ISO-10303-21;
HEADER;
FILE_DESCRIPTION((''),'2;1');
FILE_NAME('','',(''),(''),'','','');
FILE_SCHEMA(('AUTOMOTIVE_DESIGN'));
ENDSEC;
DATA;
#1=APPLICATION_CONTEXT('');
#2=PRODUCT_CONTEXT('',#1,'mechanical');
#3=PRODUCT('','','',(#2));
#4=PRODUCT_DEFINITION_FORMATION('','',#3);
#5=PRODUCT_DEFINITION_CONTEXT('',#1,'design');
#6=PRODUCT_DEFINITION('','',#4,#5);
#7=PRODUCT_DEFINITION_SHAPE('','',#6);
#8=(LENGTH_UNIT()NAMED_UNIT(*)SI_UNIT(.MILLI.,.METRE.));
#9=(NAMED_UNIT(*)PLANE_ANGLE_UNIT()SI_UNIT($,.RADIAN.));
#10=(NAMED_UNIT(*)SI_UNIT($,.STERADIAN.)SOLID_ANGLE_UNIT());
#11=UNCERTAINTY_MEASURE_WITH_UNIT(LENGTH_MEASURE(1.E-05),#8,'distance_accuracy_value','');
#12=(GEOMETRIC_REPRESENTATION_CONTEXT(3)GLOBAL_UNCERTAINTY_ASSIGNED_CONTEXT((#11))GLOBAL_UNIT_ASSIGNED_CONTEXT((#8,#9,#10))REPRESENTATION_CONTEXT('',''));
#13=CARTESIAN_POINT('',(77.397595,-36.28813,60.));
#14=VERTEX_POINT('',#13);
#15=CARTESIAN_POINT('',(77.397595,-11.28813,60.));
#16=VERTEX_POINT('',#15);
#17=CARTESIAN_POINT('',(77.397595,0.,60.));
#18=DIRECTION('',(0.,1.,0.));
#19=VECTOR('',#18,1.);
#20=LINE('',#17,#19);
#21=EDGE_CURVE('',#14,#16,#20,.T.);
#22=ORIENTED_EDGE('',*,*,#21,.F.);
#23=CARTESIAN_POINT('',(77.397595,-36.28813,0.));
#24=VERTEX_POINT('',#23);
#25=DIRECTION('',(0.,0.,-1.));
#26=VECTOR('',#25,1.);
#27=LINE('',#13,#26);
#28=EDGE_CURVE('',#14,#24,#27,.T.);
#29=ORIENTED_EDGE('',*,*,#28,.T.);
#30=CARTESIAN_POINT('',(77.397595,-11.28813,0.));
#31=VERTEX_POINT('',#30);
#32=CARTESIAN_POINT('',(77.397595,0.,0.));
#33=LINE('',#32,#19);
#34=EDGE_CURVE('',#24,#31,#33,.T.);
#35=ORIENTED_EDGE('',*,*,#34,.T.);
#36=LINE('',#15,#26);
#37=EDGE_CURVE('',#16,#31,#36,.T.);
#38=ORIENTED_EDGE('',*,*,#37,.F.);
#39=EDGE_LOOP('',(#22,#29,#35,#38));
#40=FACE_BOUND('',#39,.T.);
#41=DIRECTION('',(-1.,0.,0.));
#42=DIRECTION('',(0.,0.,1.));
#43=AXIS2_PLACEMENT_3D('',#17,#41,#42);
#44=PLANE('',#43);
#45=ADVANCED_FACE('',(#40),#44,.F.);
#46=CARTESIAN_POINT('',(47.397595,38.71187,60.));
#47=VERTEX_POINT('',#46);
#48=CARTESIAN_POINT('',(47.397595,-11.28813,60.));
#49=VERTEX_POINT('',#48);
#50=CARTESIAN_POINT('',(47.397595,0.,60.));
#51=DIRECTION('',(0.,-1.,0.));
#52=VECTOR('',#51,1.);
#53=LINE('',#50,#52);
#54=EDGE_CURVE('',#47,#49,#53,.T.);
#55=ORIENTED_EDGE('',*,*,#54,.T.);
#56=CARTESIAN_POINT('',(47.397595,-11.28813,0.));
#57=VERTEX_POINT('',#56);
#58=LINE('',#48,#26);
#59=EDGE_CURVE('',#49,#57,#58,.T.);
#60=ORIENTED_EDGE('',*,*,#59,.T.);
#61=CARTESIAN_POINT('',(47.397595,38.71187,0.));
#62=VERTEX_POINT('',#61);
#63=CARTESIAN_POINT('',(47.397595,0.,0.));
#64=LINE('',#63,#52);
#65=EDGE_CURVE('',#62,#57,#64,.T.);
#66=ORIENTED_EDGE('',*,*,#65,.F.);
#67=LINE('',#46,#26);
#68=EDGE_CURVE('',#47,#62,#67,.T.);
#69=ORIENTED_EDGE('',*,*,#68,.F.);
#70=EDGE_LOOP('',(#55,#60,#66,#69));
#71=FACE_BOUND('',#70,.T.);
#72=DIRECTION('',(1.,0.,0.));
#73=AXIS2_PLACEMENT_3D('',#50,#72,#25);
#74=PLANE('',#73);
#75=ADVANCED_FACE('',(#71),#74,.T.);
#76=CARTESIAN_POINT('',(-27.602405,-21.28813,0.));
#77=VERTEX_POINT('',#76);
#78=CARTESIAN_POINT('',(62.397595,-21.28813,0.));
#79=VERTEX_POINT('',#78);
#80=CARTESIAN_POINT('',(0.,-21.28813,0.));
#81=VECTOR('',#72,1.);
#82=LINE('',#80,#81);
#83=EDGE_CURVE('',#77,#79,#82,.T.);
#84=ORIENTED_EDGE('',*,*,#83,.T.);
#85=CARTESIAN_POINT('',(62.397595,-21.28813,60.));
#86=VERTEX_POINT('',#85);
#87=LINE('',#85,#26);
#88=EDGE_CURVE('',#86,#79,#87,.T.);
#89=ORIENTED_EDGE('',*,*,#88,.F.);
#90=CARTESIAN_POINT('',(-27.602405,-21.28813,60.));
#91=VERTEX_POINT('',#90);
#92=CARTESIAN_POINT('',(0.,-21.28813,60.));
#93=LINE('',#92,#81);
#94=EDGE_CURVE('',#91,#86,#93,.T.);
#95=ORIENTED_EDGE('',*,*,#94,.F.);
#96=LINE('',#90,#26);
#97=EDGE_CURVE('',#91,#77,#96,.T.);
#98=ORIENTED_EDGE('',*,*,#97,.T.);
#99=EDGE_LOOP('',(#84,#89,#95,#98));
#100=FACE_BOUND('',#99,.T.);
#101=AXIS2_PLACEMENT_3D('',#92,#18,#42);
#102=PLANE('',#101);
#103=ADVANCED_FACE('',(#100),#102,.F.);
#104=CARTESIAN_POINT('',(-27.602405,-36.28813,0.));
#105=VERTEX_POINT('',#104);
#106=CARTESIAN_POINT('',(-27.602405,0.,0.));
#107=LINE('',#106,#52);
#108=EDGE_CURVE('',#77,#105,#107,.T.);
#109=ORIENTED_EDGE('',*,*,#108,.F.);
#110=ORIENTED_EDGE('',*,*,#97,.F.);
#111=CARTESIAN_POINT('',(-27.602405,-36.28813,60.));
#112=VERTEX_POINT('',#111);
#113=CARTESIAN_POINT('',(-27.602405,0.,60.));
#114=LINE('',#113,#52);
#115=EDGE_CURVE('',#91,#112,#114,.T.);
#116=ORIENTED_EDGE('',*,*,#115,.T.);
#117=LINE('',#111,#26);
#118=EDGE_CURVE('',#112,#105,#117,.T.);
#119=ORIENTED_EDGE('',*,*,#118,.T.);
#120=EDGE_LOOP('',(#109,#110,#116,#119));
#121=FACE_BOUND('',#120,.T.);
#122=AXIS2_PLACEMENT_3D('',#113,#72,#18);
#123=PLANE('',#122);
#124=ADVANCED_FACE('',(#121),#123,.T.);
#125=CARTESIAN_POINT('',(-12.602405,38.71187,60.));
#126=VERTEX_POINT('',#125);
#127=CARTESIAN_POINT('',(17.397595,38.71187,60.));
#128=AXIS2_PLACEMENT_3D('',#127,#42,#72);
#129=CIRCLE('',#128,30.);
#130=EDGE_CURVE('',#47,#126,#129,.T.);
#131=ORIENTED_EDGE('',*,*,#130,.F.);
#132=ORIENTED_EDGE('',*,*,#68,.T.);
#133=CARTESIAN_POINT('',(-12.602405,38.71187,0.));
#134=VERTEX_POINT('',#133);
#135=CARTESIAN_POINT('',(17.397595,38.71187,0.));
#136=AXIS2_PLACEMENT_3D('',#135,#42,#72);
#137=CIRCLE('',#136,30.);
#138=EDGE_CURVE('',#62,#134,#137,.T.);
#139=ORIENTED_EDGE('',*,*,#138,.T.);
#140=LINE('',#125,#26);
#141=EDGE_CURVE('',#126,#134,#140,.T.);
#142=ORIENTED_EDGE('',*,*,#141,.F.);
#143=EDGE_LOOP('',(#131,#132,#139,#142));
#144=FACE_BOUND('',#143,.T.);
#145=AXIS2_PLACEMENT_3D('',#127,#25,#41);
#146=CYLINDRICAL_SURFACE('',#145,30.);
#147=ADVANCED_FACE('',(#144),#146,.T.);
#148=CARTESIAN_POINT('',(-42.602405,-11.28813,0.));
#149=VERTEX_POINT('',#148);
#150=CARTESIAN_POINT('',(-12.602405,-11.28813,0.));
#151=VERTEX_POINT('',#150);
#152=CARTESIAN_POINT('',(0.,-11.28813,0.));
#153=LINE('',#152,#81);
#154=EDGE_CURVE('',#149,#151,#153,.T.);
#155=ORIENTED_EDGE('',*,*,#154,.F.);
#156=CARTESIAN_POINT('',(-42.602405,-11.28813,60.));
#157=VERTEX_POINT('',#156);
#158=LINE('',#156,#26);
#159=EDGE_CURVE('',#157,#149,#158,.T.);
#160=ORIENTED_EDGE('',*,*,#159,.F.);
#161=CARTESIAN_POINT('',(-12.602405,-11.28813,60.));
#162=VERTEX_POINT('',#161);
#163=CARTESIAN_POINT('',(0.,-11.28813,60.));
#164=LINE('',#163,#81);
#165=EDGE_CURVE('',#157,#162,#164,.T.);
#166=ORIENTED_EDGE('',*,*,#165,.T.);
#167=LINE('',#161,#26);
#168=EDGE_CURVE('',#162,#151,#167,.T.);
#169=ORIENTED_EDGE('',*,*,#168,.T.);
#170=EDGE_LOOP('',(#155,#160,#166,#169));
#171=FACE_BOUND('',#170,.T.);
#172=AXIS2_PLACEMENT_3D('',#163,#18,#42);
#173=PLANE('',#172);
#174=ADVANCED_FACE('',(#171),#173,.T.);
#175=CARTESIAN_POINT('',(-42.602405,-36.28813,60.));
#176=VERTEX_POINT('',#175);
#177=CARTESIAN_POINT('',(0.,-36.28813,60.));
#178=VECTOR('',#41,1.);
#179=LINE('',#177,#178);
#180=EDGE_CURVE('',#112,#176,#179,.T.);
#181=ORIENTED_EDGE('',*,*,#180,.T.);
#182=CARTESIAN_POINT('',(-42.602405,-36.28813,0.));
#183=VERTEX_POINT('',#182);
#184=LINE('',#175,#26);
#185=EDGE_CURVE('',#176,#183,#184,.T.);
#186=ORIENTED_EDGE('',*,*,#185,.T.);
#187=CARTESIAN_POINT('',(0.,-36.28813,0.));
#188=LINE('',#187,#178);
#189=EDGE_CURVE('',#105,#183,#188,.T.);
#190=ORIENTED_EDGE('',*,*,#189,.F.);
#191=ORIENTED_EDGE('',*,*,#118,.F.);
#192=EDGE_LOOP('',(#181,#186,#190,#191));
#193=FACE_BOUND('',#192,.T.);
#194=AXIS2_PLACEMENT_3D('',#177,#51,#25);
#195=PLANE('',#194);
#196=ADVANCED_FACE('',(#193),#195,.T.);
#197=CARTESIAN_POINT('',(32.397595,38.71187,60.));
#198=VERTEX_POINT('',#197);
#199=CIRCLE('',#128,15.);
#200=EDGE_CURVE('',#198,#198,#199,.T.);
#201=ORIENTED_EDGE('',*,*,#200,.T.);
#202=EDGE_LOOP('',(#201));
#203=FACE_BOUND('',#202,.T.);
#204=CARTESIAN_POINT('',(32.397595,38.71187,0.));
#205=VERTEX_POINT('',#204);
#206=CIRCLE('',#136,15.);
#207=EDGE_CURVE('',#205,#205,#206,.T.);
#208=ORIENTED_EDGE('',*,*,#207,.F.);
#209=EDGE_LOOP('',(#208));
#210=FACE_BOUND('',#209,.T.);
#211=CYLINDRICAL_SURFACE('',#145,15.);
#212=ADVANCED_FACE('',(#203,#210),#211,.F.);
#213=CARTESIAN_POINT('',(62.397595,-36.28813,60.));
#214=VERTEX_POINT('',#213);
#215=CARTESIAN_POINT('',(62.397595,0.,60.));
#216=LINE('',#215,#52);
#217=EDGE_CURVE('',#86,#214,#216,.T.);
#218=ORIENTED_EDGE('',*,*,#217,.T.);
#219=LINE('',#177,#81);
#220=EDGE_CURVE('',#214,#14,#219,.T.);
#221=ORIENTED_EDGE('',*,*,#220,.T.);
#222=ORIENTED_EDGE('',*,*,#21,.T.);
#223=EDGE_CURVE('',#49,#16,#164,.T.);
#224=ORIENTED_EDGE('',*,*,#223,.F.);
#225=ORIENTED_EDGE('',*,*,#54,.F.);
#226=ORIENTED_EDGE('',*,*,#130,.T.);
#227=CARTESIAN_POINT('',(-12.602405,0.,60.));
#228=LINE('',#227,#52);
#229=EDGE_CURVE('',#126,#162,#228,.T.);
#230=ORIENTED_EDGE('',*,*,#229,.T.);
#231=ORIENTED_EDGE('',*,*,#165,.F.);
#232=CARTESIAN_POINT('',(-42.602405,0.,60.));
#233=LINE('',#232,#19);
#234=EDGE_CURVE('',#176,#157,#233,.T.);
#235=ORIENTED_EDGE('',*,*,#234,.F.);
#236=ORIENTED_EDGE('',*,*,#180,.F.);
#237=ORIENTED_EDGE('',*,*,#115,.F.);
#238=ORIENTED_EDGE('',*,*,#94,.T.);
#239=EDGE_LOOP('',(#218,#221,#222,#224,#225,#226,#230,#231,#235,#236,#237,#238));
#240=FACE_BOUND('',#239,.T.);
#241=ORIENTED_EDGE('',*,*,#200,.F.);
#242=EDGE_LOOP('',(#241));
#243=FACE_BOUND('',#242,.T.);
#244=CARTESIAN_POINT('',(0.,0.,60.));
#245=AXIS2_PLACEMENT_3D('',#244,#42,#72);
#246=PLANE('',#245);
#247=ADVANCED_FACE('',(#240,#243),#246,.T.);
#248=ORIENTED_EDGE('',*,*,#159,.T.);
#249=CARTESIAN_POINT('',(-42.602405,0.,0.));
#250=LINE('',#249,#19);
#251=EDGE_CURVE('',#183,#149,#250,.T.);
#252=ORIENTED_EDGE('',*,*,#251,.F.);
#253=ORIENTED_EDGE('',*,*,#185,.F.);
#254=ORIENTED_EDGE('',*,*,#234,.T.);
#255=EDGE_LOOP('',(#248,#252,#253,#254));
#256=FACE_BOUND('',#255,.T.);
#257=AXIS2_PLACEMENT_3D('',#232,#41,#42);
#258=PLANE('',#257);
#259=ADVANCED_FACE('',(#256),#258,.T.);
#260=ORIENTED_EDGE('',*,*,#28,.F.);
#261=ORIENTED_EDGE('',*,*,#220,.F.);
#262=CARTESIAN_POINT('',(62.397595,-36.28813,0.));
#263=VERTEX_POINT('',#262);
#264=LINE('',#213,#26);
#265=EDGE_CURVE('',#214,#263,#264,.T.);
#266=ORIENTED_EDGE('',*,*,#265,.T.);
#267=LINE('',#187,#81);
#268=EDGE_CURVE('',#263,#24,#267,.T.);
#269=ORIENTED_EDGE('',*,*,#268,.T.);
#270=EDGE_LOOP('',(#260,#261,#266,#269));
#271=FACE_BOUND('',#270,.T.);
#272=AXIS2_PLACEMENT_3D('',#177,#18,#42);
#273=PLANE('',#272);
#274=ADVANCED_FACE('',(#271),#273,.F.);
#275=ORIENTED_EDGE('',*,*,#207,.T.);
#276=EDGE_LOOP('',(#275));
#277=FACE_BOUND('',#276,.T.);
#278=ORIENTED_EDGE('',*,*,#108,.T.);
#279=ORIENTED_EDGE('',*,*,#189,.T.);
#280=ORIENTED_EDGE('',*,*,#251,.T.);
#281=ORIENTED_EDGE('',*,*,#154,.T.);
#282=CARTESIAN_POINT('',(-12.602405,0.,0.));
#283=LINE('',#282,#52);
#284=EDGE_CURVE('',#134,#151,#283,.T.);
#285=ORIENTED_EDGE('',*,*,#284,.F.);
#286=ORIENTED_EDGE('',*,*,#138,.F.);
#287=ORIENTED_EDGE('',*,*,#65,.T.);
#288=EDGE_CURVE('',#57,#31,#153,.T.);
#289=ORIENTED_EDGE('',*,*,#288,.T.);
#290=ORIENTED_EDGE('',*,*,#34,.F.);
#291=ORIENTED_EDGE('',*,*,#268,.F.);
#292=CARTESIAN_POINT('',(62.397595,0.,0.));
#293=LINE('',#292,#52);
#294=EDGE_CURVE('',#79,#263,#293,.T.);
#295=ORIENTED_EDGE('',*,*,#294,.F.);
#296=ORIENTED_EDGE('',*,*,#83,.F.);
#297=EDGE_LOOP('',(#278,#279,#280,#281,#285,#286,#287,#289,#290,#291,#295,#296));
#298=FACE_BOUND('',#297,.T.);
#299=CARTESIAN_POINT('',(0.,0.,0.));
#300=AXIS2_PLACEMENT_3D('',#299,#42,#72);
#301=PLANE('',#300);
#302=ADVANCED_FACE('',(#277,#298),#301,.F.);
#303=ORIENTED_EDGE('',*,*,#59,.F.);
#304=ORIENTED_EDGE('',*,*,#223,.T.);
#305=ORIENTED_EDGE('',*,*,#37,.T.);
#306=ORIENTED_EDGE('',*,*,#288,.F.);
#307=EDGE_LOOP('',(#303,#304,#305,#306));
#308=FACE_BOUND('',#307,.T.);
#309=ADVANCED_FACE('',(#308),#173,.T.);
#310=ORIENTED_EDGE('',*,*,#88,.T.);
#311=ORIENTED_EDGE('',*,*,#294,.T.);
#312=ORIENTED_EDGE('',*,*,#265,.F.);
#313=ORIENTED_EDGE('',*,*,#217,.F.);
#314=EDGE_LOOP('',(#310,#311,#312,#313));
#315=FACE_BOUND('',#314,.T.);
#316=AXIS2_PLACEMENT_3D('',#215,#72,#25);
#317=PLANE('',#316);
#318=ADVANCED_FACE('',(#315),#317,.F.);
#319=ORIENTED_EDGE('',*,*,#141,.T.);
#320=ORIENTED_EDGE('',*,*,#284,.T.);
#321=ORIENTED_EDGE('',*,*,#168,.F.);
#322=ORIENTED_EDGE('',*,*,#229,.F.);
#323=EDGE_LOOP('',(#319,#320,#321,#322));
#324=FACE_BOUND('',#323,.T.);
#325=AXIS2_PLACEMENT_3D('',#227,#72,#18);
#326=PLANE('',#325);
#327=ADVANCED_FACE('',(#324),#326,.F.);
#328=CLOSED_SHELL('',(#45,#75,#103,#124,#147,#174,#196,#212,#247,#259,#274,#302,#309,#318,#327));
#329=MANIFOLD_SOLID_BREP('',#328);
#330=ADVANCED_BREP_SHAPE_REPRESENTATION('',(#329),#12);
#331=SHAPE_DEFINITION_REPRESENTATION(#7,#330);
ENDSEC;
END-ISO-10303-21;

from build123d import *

# Parameters (mm, degrees)
SKETCH1_R           = 15
BOSS_EXTRUDE2_DEPTH = 60


with BuildPart() as part:
    # Sketch1 → Boss-Extrude2 (new body)
    # profile 1 of 2: a face of its own
    with BuildSketch(Plane.XY):
        with BuildLine():
            Line((-12.60240546, 38.711870299), (-12.60240546, -11.288129701))
            Line((-12.60240546, -11.288129701), (47.39759454, -11.288129701))
            Line((47.39759454, -11.288129701), (47.39759454, 38.711870299))
            ThreePointArc((47.39759454, 38.711870299), (17.39759454, 68.711870299), (-12.60240546, 38.711870299))
        make_face()
        with Locations((17.39759454, 38.711870299)):
            Circle(SKETCH1_R, mode=Mode.SUBTRACT)
    # profile 2 of 2: a face of its own
    with BuildSketch(Plane.XY):
        Polygon((-42.60240546, -11.288129701), (77.39759454, -11.288129701), (77.39759454, -36.288129701), (62.39759454, -36.288129701), (62.39759454, -21.288129701), (-27.60240546, -21.288129701), (-27.60240546, -36.288129701), (-42.60240546, -36.288129701), align=None)
    extrude(amount=BOSS_EXTRUDE2_DEPTH)


solid = part.part
